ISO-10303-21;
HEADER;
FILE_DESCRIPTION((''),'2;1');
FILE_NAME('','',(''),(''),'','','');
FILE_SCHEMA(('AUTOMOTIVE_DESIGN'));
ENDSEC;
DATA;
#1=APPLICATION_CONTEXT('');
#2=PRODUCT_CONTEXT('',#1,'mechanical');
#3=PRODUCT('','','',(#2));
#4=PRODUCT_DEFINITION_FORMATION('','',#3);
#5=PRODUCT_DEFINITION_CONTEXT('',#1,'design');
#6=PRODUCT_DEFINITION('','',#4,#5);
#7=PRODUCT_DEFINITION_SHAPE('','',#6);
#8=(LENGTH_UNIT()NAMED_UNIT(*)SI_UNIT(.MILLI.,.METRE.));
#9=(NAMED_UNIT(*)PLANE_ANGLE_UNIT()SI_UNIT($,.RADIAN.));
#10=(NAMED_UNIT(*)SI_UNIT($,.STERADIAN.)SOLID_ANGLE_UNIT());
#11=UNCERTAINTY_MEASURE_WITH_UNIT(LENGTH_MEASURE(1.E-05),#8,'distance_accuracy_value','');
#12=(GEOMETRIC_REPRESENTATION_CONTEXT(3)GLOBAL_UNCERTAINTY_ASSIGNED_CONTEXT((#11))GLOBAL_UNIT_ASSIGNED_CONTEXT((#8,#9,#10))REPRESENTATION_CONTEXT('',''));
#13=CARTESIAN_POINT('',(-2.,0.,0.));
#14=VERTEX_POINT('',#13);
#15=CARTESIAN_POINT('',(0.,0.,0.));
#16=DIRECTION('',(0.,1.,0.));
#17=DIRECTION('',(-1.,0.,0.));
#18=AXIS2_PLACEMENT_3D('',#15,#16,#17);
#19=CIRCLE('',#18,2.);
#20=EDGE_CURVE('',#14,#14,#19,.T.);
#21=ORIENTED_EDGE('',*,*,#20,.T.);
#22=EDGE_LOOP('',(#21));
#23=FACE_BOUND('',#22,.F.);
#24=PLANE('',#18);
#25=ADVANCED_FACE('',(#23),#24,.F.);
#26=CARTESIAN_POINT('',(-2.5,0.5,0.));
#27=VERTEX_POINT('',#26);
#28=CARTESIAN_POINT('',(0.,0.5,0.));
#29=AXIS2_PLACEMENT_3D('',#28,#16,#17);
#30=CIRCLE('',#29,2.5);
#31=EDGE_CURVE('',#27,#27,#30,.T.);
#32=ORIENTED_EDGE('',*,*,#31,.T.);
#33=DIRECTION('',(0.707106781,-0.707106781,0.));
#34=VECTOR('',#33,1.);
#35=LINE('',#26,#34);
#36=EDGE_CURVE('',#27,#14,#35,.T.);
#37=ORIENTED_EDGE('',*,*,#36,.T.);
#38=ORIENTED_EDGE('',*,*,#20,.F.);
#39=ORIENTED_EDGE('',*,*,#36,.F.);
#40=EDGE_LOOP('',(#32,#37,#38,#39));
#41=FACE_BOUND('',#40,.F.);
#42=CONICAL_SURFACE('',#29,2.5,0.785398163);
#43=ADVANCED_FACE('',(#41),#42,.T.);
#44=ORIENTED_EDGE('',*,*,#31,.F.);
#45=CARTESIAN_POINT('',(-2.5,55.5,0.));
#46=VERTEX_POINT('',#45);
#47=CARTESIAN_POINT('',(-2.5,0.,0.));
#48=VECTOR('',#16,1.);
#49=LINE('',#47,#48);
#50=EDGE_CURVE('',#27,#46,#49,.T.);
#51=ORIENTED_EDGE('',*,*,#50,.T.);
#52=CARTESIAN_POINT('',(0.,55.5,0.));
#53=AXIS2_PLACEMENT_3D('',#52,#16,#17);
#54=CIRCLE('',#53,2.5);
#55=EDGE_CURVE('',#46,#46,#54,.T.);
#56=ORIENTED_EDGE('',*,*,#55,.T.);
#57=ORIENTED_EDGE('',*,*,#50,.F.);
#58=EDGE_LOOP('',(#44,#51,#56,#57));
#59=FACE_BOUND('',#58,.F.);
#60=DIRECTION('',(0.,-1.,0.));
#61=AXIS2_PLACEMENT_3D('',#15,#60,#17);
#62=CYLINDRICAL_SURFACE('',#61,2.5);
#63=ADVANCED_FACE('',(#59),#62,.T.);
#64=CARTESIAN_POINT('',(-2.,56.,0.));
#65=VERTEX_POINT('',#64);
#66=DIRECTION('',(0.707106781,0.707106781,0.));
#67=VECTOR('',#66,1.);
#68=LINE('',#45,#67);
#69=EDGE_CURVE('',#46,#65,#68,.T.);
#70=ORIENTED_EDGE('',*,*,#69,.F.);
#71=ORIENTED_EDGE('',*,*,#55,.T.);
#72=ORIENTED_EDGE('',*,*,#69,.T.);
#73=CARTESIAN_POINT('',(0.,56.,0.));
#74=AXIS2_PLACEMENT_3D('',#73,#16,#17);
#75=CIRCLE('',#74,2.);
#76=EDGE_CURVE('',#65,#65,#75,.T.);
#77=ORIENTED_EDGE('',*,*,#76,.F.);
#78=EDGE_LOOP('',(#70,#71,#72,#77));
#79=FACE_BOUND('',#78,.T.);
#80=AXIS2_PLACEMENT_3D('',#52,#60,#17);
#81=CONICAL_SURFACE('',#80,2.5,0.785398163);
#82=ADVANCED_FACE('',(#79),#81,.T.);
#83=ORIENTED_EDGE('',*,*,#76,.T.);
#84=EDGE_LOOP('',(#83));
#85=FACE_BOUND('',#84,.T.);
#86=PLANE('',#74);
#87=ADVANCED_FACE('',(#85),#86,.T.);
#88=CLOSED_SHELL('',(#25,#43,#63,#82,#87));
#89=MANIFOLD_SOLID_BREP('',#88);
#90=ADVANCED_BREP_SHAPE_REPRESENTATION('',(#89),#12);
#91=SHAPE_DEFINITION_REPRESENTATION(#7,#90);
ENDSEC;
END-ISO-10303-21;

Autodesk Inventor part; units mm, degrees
ref_plane "YZ Plane" through (0, 0, 0) normal (1, 0, 0) x (0, 1, 0)
ref_plane "XZ Plane" through (0, 0, 0) normal (0, 1, 0) x (-1, 0, 0)
ref_plane "XY Plane" through (0, 0, 0) normal (0, 0, 1) x (1, 0, 0)
sketch "Эскиз1" plane through (0, 0, 0) normal (0, 1, 0) x (-1, 0, 0)
  circle A0 centre (0, 0) radius 2.5
  dimension "d0" = 5
extrude "Выдавливание1" add sketch "Эскиз1" along normal blind 56
chamfer "Фаска1" distance 0.5 angle 45 2 edges at (2.5, 56, 0) (2.5, 0, 0)
properties part number "axis" material "Сталь нержавеющая, 440C"
